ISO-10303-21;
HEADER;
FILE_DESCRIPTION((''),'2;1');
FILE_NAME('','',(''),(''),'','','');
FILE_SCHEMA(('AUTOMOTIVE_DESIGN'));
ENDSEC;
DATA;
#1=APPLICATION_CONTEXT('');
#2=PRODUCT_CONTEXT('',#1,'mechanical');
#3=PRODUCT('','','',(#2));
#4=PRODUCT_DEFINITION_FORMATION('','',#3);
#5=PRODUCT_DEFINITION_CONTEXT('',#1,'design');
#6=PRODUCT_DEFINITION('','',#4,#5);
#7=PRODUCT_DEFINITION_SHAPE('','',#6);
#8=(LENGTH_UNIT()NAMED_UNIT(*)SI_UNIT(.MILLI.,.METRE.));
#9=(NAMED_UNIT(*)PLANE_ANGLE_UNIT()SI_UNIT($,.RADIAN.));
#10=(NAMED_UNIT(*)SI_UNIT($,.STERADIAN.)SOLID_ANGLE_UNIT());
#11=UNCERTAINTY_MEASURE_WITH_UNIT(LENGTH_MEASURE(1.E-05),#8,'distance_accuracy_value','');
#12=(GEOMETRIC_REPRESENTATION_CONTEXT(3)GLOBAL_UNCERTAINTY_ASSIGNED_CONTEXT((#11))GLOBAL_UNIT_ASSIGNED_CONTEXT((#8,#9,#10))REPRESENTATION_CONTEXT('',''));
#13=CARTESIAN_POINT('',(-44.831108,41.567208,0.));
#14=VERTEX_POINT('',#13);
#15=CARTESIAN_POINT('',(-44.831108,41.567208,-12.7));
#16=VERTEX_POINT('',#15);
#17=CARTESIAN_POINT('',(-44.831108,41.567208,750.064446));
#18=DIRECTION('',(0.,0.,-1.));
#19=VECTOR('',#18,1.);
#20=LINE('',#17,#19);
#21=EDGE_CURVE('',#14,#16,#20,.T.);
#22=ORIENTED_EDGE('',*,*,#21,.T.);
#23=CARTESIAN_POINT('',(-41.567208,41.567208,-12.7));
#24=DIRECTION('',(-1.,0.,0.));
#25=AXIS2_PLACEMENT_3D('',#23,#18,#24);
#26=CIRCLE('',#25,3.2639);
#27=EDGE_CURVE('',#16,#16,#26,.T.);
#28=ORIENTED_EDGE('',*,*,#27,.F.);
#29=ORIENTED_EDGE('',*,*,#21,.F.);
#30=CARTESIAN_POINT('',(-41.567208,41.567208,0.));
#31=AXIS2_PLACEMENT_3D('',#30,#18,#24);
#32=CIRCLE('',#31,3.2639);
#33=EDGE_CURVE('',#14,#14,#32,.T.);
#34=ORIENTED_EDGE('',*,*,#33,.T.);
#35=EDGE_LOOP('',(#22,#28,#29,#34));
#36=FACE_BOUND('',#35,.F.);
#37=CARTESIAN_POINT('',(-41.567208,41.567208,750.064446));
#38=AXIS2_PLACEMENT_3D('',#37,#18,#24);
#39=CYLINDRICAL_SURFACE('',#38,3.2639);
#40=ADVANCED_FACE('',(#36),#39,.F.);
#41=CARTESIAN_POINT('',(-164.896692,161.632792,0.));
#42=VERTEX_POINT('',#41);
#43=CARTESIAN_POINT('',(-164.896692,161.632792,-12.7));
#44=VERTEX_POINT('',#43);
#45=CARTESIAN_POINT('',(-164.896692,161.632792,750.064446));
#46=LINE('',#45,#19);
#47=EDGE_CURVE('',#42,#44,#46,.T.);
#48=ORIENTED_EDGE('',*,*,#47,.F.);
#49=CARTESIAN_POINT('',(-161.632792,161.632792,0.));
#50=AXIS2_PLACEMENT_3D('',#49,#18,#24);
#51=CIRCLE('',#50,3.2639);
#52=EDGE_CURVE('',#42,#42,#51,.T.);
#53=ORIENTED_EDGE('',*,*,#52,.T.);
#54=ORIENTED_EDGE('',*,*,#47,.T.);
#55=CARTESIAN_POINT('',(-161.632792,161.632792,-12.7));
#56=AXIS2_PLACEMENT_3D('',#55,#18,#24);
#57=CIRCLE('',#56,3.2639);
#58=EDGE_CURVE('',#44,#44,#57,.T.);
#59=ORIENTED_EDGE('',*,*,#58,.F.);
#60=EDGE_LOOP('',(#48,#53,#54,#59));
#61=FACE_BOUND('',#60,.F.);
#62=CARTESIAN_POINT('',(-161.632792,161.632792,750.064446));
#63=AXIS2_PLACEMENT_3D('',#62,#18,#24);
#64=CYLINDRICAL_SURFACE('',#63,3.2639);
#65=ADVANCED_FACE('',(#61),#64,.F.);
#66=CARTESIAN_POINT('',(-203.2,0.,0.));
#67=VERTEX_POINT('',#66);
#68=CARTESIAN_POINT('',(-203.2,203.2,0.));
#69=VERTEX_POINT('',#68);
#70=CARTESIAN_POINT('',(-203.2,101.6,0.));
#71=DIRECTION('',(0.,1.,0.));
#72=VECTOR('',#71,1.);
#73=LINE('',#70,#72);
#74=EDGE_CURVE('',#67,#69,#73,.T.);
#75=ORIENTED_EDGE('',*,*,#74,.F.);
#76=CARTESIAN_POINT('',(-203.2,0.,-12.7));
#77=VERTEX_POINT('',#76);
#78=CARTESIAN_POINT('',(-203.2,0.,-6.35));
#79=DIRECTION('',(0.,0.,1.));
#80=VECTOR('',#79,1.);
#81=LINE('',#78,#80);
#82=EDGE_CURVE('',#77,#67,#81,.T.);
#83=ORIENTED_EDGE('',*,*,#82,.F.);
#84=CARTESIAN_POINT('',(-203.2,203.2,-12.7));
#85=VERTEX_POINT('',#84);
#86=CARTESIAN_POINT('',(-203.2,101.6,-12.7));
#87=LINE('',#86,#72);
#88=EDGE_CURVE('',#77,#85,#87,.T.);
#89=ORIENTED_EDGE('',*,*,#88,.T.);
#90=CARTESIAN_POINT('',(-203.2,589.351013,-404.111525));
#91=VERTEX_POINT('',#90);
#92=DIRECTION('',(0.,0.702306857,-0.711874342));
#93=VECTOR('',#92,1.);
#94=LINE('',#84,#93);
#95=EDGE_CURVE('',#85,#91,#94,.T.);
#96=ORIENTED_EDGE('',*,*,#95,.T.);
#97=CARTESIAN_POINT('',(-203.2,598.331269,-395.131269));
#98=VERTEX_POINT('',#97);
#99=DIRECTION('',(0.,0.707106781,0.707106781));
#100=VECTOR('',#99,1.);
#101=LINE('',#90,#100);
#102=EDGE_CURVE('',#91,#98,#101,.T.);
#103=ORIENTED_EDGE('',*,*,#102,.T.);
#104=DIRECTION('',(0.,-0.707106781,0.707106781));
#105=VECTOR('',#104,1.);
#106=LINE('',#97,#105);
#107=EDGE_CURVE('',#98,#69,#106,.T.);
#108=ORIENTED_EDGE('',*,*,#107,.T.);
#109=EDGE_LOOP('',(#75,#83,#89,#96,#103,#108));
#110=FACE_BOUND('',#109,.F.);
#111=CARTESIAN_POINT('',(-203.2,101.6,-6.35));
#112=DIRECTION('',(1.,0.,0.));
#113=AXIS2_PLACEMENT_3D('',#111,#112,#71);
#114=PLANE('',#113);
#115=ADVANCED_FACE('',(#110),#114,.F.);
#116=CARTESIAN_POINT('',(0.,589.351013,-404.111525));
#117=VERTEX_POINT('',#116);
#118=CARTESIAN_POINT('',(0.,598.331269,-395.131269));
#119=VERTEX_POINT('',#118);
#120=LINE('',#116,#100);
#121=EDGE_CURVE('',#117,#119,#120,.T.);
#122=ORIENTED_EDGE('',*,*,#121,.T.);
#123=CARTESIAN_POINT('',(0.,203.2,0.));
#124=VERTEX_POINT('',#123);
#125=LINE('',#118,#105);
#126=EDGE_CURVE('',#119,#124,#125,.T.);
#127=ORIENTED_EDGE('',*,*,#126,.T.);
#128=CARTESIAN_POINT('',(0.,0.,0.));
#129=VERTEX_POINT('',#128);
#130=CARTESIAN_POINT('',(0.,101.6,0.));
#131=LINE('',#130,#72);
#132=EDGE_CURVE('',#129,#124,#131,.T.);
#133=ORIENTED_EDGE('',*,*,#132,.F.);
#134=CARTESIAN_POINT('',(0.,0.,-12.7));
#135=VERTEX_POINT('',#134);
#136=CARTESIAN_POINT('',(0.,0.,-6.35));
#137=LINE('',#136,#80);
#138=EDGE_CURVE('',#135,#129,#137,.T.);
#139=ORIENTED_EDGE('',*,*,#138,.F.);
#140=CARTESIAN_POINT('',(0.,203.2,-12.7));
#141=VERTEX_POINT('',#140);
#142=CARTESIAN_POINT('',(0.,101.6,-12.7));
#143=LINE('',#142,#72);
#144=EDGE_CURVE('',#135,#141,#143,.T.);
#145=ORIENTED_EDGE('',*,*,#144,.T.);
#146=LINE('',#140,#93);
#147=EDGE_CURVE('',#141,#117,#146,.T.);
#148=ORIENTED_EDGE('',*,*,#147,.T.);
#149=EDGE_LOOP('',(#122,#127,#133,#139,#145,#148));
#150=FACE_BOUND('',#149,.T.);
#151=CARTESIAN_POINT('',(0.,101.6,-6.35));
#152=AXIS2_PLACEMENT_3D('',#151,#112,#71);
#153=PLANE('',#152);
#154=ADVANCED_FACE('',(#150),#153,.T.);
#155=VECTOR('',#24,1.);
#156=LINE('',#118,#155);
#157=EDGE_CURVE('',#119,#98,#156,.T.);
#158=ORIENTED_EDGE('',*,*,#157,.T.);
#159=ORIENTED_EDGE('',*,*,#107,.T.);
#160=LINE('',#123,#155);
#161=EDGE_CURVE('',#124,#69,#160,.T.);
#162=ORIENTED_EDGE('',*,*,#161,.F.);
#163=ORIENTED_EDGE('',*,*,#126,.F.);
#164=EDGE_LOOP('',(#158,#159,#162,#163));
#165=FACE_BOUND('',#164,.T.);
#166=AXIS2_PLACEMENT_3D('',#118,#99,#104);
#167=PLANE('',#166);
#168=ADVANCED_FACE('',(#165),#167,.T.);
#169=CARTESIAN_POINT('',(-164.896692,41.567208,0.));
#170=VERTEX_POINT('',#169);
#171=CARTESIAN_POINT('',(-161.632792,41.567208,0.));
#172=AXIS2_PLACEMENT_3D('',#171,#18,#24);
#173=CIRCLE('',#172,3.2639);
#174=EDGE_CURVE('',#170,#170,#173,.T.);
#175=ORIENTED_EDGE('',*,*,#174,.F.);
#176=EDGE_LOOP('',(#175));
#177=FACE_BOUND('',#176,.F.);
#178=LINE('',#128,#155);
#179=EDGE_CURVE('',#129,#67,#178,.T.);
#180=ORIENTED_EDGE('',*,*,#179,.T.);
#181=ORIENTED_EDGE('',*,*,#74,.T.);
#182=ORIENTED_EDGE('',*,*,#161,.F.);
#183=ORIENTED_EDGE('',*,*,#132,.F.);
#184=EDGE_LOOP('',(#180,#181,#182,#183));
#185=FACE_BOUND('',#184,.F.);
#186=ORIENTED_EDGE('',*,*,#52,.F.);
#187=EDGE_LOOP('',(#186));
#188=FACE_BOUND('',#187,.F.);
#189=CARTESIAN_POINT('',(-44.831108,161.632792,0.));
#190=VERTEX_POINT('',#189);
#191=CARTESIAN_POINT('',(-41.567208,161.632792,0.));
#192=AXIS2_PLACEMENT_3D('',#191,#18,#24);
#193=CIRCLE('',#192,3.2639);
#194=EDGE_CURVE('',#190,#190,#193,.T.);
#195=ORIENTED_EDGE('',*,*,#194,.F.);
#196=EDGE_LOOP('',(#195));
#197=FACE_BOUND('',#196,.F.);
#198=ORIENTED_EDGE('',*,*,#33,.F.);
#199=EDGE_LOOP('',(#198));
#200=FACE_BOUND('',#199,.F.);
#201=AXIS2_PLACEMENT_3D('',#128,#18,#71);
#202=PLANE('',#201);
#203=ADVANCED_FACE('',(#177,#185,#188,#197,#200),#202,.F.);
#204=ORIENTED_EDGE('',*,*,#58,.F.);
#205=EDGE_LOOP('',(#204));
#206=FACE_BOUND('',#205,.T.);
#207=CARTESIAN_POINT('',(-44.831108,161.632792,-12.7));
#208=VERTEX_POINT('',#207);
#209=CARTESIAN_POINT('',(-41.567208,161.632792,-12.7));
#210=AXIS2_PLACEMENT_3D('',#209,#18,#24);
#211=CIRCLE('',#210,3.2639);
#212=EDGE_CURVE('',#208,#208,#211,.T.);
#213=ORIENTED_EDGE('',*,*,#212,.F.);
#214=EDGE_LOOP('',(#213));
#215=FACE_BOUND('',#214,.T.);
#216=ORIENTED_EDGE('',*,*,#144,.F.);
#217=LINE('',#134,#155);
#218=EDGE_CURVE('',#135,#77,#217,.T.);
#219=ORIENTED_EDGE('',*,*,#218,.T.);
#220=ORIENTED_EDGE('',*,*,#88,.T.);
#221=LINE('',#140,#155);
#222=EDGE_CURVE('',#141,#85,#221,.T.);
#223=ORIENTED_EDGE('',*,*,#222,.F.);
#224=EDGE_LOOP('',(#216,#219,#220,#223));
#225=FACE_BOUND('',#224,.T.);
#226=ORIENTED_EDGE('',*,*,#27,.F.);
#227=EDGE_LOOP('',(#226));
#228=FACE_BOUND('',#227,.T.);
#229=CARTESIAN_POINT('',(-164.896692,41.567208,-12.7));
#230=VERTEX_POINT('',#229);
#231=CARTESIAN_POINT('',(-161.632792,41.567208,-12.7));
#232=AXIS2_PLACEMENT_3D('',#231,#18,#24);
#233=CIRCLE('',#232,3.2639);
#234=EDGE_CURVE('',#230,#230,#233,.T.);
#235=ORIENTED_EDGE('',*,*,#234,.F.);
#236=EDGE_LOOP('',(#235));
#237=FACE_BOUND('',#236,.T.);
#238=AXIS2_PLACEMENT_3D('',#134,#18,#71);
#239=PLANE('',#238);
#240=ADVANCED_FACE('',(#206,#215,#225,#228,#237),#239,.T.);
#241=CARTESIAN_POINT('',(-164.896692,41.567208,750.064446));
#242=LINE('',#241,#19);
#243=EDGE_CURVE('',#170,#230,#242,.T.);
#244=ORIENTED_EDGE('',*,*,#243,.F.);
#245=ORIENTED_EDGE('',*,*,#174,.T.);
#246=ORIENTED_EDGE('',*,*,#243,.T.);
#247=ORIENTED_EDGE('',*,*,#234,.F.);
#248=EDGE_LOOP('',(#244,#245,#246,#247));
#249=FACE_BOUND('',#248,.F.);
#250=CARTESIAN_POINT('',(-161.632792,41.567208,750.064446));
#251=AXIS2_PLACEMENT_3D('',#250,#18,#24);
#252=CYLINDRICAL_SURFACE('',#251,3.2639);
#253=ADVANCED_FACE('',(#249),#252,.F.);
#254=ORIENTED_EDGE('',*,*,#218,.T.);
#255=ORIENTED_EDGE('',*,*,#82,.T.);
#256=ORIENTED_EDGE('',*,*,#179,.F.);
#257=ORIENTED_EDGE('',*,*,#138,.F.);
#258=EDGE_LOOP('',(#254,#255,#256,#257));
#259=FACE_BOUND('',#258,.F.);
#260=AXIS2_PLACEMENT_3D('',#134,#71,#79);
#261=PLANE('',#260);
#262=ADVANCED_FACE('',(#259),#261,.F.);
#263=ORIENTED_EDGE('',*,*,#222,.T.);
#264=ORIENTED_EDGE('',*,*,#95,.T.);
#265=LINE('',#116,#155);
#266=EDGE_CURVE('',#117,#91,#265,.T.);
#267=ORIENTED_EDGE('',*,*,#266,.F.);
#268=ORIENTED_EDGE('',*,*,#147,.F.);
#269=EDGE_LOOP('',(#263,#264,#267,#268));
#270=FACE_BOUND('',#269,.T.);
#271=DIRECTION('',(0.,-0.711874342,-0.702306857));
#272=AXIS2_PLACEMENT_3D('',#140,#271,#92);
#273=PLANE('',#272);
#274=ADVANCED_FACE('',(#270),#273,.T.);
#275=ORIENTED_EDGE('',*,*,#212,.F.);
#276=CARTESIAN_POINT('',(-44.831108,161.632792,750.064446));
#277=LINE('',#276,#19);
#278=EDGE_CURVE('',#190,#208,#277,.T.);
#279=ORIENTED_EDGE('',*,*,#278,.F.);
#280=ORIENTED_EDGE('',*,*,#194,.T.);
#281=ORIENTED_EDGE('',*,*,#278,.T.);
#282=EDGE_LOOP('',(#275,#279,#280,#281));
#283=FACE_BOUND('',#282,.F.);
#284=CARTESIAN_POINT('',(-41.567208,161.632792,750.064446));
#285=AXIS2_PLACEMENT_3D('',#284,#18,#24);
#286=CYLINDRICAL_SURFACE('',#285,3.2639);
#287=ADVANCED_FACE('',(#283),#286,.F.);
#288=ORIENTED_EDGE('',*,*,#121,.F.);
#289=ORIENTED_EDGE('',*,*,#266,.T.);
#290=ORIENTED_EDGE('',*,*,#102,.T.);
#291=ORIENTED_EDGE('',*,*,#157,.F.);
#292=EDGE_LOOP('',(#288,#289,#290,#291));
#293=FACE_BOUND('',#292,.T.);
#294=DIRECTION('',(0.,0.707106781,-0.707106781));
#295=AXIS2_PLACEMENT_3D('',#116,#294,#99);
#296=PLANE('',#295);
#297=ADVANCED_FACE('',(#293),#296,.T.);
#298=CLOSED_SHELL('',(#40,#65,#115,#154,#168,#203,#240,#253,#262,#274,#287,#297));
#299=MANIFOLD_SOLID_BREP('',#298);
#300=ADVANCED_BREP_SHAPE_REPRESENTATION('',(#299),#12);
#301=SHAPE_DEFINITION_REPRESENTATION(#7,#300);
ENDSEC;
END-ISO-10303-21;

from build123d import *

# Parameters (mm, degrees)
F0_W     = 203.2
F0_H     = 12.7
F1_DEPTH = 203.2
F3_D     = 6.5278


with BuildPart() as f1:
    # F0 (on Right) → F1 (new body)
    with BuildSketch(Plane.YZ):
        with Locations((101.6, -6.35)):
            Rectangle(F0_W, F0_H)
        Polygon((598.331269327, -395.131269327), (203.2, 0), (203.2, -12.7), (589.351013206, -404.1115254481), align=None)
    extrude(amount=-F1_DEPTH)

    # F3 (through all)
    with Locations(Plane.XY):
        with Locations((-161.6327916476, 161.6327916476), (-161.6327916476, 41.5672083524), (-41.5672083524, 41.5672083524), (-41.5672083524, 161.6327916476)):
            Hole(F3_D / 2)


solid = f1.part
